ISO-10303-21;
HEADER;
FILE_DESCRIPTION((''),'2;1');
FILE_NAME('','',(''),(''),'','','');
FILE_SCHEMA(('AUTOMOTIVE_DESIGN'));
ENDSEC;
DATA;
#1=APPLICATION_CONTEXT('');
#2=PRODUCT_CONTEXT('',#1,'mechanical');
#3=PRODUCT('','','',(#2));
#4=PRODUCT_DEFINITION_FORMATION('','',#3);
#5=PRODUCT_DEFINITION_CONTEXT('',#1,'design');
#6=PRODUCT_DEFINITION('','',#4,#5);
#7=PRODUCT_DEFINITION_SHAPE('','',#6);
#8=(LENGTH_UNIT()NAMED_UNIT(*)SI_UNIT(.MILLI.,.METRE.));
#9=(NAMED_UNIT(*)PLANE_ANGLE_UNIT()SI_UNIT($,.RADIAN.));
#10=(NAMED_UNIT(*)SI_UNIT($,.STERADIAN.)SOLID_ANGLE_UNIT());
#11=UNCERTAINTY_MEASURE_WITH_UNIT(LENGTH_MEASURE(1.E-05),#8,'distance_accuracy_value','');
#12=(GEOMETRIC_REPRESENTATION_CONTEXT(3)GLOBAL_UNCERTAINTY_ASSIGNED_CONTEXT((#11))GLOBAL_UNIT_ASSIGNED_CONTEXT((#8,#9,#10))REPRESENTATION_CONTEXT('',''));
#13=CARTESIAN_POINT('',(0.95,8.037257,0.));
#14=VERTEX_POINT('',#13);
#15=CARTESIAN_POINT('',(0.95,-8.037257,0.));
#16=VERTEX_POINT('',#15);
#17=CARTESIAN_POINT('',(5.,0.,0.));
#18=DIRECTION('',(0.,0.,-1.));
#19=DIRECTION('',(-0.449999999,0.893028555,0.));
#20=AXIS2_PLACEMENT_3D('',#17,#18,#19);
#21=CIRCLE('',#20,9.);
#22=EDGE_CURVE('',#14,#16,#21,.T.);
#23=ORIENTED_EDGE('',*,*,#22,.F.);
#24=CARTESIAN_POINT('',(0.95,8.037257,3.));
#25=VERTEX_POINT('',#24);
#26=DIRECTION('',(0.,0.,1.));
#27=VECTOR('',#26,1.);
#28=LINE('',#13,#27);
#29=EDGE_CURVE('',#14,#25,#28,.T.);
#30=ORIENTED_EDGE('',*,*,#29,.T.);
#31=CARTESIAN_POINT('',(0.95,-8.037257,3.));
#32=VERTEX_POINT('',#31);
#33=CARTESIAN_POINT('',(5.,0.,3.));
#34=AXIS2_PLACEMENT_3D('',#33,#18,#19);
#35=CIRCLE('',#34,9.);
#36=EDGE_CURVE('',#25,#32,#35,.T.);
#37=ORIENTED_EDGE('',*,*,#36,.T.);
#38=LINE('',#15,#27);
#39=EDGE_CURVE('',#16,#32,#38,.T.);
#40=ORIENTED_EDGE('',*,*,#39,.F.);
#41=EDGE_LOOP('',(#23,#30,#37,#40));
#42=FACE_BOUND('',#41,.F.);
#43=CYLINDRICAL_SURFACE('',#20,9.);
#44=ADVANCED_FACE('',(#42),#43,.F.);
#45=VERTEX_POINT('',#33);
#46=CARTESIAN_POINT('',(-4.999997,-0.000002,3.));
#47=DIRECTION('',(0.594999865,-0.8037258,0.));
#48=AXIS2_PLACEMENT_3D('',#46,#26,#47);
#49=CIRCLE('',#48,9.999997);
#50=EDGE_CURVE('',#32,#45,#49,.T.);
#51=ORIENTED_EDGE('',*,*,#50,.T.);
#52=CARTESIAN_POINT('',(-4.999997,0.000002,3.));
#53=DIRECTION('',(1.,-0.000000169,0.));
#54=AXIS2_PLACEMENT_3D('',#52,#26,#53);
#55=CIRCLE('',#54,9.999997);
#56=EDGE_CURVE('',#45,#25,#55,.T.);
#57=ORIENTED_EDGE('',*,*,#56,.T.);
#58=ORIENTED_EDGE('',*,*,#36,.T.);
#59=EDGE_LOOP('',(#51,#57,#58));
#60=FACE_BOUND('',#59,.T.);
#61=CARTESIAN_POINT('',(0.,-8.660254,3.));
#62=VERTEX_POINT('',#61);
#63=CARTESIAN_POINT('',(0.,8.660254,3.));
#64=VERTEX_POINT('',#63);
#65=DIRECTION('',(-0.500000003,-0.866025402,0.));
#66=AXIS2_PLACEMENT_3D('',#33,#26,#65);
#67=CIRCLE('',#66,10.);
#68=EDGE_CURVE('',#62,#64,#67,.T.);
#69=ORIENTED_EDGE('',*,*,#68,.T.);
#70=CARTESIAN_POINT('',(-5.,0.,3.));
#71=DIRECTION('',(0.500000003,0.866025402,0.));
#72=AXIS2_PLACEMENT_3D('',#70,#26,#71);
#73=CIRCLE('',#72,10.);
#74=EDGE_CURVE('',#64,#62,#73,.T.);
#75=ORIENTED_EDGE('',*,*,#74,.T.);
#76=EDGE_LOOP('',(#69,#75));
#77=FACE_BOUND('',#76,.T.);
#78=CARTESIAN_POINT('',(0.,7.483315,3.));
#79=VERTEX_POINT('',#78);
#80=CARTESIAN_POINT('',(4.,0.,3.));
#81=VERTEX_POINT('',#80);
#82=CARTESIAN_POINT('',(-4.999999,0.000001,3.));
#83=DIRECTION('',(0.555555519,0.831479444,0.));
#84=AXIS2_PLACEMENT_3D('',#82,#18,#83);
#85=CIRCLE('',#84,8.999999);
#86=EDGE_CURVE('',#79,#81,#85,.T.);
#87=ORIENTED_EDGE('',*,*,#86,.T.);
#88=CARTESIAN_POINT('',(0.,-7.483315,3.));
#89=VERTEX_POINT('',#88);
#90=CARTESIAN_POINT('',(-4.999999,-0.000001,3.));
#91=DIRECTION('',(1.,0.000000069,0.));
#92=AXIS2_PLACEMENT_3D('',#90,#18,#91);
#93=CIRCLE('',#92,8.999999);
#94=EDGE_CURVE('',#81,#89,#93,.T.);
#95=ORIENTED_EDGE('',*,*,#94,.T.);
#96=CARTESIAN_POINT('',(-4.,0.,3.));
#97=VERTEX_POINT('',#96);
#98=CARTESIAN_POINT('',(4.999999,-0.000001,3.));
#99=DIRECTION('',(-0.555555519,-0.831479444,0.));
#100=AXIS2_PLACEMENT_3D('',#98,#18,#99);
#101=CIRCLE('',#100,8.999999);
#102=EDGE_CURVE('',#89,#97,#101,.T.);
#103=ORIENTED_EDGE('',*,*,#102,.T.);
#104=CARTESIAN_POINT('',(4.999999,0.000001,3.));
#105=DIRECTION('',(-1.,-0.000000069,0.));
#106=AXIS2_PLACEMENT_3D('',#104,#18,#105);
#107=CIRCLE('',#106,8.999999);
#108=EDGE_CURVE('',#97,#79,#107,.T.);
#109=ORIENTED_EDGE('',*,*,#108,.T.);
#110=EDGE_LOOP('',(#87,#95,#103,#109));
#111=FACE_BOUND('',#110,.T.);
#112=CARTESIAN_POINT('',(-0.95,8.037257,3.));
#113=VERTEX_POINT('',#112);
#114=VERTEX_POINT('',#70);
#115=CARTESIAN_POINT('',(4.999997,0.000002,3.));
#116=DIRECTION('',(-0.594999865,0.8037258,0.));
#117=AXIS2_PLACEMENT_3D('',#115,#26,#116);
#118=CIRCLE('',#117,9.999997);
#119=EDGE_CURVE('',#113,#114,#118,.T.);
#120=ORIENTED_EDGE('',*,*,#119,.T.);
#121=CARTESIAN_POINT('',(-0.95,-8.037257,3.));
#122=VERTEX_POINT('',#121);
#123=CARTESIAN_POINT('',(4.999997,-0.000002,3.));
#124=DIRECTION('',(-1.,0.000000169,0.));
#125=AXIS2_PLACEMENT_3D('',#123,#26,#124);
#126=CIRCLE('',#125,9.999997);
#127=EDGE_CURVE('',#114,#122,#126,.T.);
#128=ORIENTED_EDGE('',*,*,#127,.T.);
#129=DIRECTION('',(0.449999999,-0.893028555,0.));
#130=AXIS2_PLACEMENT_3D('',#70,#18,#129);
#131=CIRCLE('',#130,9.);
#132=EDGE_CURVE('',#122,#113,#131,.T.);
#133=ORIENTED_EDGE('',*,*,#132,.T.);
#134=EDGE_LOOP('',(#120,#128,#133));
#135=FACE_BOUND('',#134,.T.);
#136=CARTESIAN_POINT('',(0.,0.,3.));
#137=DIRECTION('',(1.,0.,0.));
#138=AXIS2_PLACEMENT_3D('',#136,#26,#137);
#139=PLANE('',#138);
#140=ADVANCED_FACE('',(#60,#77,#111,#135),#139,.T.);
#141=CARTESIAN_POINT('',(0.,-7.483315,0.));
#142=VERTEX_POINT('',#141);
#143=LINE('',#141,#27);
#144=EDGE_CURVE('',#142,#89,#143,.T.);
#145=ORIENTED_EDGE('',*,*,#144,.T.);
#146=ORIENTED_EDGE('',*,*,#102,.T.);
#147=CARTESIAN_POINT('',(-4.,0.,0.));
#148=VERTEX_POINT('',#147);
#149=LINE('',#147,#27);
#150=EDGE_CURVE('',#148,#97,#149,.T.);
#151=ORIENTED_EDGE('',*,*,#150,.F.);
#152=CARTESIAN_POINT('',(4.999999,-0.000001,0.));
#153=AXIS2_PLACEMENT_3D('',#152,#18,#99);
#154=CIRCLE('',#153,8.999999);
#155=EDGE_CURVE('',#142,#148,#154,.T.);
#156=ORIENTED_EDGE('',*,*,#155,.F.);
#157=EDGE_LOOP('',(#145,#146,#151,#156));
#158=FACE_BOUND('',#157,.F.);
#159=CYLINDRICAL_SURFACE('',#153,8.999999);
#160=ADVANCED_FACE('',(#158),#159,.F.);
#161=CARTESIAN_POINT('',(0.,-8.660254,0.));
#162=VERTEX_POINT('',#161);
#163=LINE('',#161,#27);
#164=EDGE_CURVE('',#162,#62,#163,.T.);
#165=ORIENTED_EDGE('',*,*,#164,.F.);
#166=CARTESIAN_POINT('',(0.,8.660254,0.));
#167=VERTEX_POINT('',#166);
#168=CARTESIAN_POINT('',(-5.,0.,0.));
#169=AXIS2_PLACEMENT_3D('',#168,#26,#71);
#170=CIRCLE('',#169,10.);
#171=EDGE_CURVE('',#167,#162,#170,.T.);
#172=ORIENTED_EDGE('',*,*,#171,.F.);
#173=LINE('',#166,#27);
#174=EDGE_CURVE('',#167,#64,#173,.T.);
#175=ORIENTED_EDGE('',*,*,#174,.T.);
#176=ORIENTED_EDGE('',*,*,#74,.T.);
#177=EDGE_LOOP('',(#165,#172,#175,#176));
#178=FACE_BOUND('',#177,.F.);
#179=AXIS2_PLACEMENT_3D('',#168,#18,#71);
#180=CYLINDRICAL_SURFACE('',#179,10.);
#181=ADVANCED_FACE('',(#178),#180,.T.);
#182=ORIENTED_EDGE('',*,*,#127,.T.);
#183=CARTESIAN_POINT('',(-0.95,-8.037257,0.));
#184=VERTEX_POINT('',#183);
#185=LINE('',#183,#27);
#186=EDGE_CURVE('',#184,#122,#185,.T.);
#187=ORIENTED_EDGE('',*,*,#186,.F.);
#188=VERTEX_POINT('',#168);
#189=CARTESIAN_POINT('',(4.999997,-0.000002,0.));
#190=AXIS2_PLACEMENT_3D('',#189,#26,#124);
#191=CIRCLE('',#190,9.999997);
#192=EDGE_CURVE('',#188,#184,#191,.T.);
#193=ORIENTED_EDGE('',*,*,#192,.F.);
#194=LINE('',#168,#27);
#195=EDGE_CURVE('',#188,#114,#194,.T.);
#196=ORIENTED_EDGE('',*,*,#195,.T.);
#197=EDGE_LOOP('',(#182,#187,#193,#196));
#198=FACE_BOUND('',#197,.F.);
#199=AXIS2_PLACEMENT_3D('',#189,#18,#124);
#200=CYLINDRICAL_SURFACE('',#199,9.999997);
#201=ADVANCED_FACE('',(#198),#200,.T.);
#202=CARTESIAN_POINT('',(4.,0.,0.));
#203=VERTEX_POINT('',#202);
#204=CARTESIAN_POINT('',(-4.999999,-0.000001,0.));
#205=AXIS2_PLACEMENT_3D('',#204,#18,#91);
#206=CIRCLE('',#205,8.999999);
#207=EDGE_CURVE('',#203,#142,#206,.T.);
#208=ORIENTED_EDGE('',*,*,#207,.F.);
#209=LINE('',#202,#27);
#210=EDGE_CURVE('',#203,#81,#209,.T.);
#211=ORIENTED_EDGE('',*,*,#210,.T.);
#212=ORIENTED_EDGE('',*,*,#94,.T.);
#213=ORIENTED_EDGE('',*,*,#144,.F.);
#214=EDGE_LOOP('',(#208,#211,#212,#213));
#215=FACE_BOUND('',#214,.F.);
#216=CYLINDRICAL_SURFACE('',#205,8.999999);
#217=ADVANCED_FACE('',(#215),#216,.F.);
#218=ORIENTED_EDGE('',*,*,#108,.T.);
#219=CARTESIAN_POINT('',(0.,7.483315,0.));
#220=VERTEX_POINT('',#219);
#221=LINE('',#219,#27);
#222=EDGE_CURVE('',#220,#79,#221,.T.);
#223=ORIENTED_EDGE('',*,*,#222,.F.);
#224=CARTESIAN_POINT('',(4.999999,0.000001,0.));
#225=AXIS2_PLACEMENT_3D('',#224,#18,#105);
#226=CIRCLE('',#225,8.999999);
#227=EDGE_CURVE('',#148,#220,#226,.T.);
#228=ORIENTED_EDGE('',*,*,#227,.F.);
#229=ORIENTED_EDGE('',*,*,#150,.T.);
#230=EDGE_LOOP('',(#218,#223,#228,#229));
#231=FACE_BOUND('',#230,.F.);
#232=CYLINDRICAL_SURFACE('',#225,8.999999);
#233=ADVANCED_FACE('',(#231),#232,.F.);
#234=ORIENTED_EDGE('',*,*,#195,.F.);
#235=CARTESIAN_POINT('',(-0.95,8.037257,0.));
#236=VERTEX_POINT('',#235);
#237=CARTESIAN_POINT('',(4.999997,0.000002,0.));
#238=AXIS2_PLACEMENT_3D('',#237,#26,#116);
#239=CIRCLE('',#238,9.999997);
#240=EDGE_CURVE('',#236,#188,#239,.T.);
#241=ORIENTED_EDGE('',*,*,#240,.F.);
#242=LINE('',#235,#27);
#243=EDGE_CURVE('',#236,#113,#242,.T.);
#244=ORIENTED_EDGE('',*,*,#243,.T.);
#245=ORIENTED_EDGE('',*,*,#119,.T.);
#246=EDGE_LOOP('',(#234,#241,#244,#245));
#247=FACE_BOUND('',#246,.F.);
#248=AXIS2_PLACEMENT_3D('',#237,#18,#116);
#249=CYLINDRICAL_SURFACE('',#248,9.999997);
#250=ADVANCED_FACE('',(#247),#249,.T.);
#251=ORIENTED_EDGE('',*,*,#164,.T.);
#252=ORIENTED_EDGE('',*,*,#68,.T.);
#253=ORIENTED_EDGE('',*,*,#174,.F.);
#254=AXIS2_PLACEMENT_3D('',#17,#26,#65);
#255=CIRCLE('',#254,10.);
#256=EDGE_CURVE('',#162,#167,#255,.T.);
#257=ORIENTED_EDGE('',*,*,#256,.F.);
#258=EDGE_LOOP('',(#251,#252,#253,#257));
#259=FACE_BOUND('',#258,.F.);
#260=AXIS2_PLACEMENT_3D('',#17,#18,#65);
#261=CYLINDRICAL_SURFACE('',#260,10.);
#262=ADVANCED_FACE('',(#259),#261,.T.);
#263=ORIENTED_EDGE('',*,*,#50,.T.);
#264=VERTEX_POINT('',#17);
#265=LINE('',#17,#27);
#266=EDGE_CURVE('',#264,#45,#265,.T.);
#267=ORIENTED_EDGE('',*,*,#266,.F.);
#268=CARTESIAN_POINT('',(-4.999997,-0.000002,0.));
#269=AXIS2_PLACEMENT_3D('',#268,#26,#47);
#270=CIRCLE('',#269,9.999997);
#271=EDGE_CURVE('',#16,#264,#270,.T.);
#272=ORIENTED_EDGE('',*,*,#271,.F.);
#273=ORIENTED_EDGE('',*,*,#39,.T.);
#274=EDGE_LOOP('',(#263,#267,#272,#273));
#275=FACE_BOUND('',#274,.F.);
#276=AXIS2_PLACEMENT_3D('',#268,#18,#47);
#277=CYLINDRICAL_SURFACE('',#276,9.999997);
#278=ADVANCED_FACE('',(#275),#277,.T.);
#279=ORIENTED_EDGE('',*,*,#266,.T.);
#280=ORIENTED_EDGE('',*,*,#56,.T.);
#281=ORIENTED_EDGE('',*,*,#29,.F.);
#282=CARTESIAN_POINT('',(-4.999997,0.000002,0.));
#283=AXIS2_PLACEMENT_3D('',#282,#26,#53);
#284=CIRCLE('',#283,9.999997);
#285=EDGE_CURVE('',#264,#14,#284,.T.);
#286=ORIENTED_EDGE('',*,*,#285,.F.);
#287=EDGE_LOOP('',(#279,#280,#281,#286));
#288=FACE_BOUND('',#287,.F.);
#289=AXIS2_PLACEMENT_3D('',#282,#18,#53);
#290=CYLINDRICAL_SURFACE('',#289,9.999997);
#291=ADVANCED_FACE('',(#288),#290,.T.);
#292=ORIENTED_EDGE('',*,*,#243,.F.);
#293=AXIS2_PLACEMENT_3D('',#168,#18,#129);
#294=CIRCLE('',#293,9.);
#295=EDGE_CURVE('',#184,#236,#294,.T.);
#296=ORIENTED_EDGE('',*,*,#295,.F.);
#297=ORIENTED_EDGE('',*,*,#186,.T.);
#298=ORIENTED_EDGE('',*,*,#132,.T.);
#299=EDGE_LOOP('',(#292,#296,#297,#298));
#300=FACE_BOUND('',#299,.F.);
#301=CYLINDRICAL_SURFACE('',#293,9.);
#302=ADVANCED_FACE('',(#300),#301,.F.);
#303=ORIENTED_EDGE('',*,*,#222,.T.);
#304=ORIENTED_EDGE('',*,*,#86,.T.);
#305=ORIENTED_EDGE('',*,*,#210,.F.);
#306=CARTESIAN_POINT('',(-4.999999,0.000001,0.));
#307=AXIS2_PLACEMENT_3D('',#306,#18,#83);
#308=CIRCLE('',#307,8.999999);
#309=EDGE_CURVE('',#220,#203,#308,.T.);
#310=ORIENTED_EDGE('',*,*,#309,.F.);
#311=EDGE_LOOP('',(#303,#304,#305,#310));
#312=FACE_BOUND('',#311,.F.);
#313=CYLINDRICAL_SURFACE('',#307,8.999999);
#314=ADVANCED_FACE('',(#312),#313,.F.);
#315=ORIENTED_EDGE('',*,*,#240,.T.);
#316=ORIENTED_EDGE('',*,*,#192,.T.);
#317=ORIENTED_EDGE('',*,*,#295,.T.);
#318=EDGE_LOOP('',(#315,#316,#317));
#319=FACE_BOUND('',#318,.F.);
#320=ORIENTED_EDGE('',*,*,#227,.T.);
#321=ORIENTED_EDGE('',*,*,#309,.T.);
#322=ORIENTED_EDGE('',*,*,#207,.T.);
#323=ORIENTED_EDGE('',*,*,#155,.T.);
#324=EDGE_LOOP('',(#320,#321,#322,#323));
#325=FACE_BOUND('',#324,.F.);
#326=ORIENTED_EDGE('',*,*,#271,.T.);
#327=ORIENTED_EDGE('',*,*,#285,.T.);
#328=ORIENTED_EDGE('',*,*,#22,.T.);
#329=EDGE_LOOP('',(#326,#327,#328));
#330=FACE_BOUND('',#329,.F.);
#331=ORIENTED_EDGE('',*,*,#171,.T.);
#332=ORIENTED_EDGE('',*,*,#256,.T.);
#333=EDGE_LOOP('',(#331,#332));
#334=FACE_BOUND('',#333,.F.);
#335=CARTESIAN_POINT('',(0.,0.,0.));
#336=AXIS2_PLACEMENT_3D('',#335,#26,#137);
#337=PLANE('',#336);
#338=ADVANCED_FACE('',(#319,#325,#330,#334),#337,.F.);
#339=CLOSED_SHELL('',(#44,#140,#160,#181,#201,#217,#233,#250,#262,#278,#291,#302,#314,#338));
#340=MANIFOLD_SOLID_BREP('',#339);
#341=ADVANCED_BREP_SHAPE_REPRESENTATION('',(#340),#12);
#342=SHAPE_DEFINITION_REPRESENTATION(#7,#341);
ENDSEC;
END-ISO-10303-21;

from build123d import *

# Parameters (mm, degrees)
F1_DEPTH = 3


with BuildPart() as f1:
    # F0 (on Top) → F1 (new body)
    with BuildSketch(Plane.XY):
        with BuildLine():
            ThreePointArc((0, 8.660254), (-15, 0), (0, -8.660254))
            ThreePointArc((0, -8.660254), (15, 0), (0, 8.660254))
        make_face()
        with BuildLine():
            ThreePointArc((-0.95, 8.037257), (-3.930286, 4.5), (-5, 0))
            ThreePointArc((-5, 0), (-3.930286, -4.5), (-0.95, -8.037257))
            ThreePointArc((-0.95, -8.037257), (-14, 0), (-0.95, 8.037257))
        make_face(mode=Mode.SUBTRACT)
        with BuildLine():
            ThreePointArc((0, -7.483315), (-2.937254, -4.242641), (-4, 0))
            ThreePointArc((-4, 0), (-2.937254, 4.242641), (0, 7.483315))
            ThreePointArc((0, 7.483315), (2.937254, 4.242641), (4, 0))
            ThreePointArc((4, 0), (2.937254, -4.242641), (0, -7.483315))
        make_face(mode=Mode.SUBTRACT)
        with BuildLine():
            ThreePointArc((0.95, -8.037257), (3.930286, -4.5), (5, 0))
            ThreePointArc((5, 0), (3.930286, 4.5), (0.95, 8.037257))
            ThreePointArc((0.95, 8.037257), (14, 0), (0.95, -8.037257))
        make_face(mode=Mode.SUBTRACT)
    extrude(amount=F1_DEPTH)


solid = f1.part
